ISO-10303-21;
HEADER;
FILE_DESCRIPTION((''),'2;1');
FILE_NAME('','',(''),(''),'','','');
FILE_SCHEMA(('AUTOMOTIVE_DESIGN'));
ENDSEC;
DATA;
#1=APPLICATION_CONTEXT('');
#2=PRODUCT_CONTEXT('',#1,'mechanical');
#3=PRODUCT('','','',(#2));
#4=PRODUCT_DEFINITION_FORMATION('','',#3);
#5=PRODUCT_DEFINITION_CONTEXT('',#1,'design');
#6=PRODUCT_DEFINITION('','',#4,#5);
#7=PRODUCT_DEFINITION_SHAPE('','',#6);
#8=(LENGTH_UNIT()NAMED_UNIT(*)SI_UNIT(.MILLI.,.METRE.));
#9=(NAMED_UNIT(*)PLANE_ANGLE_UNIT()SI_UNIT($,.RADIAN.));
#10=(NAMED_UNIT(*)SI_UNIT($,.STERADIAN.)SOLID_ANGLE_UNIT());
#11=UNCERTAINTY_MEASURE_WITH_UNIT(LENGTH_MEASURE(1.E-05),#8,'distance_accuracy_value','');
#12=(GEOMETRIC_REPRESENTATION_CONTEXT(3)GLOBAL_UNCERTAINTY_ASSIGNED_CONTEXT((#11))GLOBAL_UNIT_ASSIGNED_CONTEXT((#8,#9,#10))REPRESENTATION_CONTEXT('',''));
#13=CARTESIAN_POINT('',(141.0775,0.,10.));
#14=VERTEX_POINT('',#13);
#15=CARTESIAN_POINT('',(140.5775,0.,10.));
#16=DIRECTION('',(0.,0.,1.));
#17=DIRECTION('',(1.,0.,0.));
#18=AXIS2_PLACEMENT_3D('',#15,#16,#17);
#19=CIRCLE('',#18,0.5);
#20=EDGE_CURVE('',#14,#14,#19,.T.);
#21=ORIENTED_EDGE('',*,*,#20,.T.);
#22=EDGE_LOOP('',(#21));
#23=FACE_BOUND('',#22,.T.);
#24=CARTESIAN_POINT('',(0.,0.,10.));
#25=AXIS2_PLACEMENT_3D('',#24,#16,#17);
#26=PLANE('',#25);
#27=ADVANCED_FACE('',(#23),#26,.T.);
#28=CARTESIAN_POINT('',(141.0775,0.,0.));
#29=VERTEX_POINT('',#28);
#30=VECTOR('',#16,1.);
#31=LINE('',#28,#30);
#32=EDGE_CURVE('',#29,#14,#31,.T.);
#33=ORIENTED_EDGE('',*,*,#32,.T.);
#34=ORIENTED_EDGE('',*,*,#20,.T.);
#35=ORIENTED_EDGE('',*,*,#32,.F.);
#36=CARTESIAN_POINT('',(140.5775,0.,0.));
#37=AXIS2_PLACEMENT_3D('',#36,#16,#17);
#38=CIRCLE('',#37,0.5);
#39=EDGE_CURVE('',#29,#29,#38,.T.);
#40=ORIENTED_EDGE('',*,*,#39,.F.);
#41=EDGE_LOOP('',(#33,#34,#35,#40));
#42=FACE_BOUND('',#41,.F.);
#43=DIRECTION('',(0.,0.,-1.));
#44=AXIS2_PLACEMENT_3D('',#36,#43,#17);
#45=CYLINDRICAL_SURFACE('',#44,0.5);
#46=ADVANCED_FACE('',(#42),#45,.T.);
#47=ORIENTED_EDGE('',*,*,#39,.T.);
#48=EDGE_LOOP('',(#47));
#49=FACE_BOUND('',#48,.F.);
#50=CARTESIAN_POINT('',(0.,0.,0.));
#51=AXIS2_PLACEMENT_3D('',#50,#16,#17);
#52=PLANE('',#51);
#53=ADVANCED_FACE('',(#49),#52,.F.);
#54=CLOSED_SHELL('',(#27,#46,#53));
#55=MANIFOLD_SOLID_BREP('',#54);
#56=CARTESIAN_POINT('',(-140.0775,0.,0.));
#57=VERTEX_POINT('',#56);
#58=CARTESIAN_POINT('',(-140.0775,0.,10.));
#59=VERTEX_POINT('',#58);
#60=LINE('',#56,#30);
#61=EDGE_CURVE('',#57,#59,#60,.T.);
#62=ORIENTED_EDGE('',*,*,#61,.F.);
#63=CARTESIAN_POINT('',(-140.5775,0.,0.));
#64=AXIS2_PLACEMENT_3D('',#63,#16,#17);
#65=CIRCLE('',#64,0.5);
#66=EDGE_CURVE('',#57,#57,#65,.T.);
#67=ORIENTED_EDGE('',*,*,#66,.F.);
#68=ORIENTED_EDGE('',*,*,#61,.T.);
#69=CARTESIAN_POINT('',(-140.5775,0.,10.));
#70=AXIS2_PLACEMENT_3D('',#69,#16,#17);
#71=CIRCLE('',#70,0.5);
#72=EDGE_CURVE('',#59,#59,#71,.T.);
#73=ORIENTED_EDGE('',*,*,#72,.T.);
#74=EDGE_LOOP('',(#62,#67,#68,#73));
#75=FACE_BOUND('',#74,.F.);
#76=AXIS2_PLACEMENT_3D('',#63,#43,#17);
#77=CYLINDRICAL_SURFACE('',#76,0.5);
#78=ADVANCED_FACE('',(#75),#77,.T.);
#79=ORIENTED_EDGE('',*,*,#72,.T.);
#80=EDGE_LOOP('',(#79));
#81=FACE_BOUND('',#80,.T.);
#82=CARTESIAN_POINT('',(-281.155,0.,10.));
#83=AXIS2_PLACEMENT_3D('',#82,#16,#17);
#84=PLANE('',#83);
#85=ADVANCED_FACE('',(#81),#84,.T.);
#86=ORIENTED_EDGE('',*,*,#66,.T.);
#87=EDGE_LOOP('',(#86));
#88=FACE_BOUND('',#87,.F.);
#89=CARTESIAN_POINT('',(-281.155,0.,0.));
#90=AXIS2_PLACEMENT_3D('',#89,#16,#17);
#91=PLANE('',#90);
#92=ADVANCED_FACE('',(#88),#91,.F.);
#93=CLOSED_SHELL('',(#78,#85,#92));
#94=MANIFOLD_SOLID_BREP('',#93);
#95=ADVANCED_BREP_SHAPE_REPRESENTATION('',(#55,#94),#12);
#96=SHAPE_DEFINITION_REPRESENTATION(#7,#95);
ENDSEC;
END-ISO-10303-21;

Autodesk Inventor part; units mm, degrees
ref_plane "YZ Plane" through (0, 0, 0) normal (1, 0, 0) x (0, 1, 0)
ref_plane "XZ Plane" through (0, 0, 0) normal (0, 1, 0) x (-1, 0, 0)
ref_plane "XY Plane" through (0, 0, 0) normal (0, 0, 1) x (1, 0, 0)
sketch "Sketch1" plane through (0, 0, 0) normal (0, 0, 1) x (1, 0, 0)
  line L0 (-200.5775, -9.75) -> (200.5775, -9.75)
  line L1 (200.5775, -9.75) -> (200.5775, 9.75)
  line L2 (200.5775, 9.75) -> (-200.5775, 9.75)
  line L3 (-200.5775, 9.75) -> (-200.5775, -9.75)
  line L4 (-200.5775, -9.75) -> (200.5775, 9.75) construction
  line L5 (200.5775, -9.75) -> (-200.5775, 9.75) construction
  point P0 (0, 0)
  dimension "d0" = 401.155
  dimension "d1" = 19.5
sketch "Lamello" plane through (0, 0, 0) normal (0, 0, 1) x (1, 0, 0)
  line L0 (48.383, 141.1858) -> (42.783, 141.1858)
  line L1 (40.583, 139.6858) -> (40.583, 114.6858)
  line L2 (42.783, 113.1858) -> (48.383, 113.1858)
  line L3 (50.583, 114.6858) -> (50.583, 139.6858)
  line L4 (50.583, 139.6858) -> (48.383, 141.1858)
  line L5 (40.583, 139.6858) -> (42.783, 141.1858)
  line L6 (40.583, 114.6858) -> (42.783, 113.1858)
  line L7 (50.583, 114.6858) -> (48.383, 113.1858)
  line L8 (50.583, 127.1858) -> (40.583, 127.1858)
  line L9 (45.583, 141.1858) -> (45.583, 113.1858)
  point P0 (45.583, 127.1858)
  point P1 (50.583, 141.1858)
  point P2 (40.583, 113.1858)
  point P3 (40.583, 141.1858)
  point P4 (50.583, 113.1858)
  dimension "d54" = 10
  dimension "d55" = 28
  dimension "d56" = 1.5
  dimension "d57" = 2.2
  dimension "d58" = 1.5
  dimension "d59" = 2.2
  dimension "d60" = 1.5
  dimension "d61" = 2.2
  dimension "d62" = 1.5
  dimension "d63" = 2.2
sketch "Sketch2" plane through (0, 0, 0) normal (0, 0, 1) x (1, 0, 0)
  circle A0 centre (140.5775, 0) radius 0.5
  line L0 (200.5775, 9.75) -> (-200.5775, 9.75) projected
  line L1 (-200.5775, -9.75) -> (200.5775, -9.75) projected
  line L2 (0, -131.2) -> (0, 80.2) projected
  line L3 (200.5775, -9.75) -> (200.5775, 9.75) projected
  point P0 (0, 0)
  dimension "d4" = 1
  dimension "d50" = 9.75
  dimension "d70" = 60
extrude "Extrusion1" add sketch "Sketch2" along normal blind 10 contours A0
pattern_linear "Clamex Array" count 2 spacing 281.155 along (-1, 0, 0) of "Extrusion1"
sketch "Edge-Side Connection" plane through (0, 0, 0) normal (1, 0, 0) x (0, 1, 0)
  line L0 (-50, 0) -> (50, 0)
  line L1 (50, 0) -> (50, 19)
  line L2 (50, 19) -> (-50, 19)
  line L3 (-50, 19) -> (-50, 0)
  line L4 (-9.75, 0) -> (-9.75, -40)
  line L5 (-9.75, -40) -> (9.75, -40)
  line L6 (9.75, -40) -> (9.75, 0)
  line L7 (0, -14) -> (0, 14) construction
  line L8 (9.75, 0) -> (5, 0)
  line L9 (-5, -12.5) -> (-9.75, -12.5)
  point P0 (0, 0)
  point P1 (9.75, 0)
  point P2 (0, 0)
  dimension "d26" = 100
  dimension "d27" = 19
  dimension "d28" = 40
  dimension "OtherSideRefYCoordinate" = 9.75
  dimension "ReferenceCoord" = 9.75
  dimension "d49" = 90
sketch "Edge-Edge Connection" plane through (0, 0, 0) normal (1, 0, 0) x (0, 1, 0)
  line L0 (-101, 19) -> (19, 19)
  line L1 (19, 19) -> (0, 0)
  line L2 (0, 0) -> (-101, 0)
  line L3 (-101, 0) -> (-101, 19)
  line L4 (19, 19) -> (19, -101)
  line L5 (0, 0) -> (0, -101)
  line L6 (0, -101) -> (19, -101)
  line L7 (1.28, 1.28) -> (0, 0)
  line L8 (-0.4878, 17.1899) -> (-0.4878, 19)
  point P0 (4.8155, 4.8155)
  dimension "d51" = 19
  dimension "d53" = 19
  dimension "EdgeEdgeReferenceCoord" = 6.8101
  dimension "d65" = 90
  dimension "d66" = 120
  dimension "d67" = 120
  dimension "EdgeEdgeOtherSideRefYCoordinate" = 20.0599
equation "\"d9\" = Step"
equation "\"d27\" = NestleBoardT"
equation "\"d0\" = ContactPatchWidth"
equation "\"d1\" = ContactPatchHeight"
equation "\"ContactPatchWidth\" = 401.155"
equation "\"ContactPatchHeight\" = 19.5"
equation "\"PlacingWidth\" = 281.155"
equation "\"MinDistBetween\" = 96"
equation "\"Step\" = 281.155"
equation "\"Y_Coord\" = 9.75"
equation "\"NestleBoardT\" = 19"
equation "\"PillarBoardT\" = 19"
equation "\"AngleForYPositionCalc\" = 90deg"
equation "\"ConnectionAngle\" = 90deg"
equation "\"ShiftY\" = 0"
properties part number "Clamex Joint11300"
